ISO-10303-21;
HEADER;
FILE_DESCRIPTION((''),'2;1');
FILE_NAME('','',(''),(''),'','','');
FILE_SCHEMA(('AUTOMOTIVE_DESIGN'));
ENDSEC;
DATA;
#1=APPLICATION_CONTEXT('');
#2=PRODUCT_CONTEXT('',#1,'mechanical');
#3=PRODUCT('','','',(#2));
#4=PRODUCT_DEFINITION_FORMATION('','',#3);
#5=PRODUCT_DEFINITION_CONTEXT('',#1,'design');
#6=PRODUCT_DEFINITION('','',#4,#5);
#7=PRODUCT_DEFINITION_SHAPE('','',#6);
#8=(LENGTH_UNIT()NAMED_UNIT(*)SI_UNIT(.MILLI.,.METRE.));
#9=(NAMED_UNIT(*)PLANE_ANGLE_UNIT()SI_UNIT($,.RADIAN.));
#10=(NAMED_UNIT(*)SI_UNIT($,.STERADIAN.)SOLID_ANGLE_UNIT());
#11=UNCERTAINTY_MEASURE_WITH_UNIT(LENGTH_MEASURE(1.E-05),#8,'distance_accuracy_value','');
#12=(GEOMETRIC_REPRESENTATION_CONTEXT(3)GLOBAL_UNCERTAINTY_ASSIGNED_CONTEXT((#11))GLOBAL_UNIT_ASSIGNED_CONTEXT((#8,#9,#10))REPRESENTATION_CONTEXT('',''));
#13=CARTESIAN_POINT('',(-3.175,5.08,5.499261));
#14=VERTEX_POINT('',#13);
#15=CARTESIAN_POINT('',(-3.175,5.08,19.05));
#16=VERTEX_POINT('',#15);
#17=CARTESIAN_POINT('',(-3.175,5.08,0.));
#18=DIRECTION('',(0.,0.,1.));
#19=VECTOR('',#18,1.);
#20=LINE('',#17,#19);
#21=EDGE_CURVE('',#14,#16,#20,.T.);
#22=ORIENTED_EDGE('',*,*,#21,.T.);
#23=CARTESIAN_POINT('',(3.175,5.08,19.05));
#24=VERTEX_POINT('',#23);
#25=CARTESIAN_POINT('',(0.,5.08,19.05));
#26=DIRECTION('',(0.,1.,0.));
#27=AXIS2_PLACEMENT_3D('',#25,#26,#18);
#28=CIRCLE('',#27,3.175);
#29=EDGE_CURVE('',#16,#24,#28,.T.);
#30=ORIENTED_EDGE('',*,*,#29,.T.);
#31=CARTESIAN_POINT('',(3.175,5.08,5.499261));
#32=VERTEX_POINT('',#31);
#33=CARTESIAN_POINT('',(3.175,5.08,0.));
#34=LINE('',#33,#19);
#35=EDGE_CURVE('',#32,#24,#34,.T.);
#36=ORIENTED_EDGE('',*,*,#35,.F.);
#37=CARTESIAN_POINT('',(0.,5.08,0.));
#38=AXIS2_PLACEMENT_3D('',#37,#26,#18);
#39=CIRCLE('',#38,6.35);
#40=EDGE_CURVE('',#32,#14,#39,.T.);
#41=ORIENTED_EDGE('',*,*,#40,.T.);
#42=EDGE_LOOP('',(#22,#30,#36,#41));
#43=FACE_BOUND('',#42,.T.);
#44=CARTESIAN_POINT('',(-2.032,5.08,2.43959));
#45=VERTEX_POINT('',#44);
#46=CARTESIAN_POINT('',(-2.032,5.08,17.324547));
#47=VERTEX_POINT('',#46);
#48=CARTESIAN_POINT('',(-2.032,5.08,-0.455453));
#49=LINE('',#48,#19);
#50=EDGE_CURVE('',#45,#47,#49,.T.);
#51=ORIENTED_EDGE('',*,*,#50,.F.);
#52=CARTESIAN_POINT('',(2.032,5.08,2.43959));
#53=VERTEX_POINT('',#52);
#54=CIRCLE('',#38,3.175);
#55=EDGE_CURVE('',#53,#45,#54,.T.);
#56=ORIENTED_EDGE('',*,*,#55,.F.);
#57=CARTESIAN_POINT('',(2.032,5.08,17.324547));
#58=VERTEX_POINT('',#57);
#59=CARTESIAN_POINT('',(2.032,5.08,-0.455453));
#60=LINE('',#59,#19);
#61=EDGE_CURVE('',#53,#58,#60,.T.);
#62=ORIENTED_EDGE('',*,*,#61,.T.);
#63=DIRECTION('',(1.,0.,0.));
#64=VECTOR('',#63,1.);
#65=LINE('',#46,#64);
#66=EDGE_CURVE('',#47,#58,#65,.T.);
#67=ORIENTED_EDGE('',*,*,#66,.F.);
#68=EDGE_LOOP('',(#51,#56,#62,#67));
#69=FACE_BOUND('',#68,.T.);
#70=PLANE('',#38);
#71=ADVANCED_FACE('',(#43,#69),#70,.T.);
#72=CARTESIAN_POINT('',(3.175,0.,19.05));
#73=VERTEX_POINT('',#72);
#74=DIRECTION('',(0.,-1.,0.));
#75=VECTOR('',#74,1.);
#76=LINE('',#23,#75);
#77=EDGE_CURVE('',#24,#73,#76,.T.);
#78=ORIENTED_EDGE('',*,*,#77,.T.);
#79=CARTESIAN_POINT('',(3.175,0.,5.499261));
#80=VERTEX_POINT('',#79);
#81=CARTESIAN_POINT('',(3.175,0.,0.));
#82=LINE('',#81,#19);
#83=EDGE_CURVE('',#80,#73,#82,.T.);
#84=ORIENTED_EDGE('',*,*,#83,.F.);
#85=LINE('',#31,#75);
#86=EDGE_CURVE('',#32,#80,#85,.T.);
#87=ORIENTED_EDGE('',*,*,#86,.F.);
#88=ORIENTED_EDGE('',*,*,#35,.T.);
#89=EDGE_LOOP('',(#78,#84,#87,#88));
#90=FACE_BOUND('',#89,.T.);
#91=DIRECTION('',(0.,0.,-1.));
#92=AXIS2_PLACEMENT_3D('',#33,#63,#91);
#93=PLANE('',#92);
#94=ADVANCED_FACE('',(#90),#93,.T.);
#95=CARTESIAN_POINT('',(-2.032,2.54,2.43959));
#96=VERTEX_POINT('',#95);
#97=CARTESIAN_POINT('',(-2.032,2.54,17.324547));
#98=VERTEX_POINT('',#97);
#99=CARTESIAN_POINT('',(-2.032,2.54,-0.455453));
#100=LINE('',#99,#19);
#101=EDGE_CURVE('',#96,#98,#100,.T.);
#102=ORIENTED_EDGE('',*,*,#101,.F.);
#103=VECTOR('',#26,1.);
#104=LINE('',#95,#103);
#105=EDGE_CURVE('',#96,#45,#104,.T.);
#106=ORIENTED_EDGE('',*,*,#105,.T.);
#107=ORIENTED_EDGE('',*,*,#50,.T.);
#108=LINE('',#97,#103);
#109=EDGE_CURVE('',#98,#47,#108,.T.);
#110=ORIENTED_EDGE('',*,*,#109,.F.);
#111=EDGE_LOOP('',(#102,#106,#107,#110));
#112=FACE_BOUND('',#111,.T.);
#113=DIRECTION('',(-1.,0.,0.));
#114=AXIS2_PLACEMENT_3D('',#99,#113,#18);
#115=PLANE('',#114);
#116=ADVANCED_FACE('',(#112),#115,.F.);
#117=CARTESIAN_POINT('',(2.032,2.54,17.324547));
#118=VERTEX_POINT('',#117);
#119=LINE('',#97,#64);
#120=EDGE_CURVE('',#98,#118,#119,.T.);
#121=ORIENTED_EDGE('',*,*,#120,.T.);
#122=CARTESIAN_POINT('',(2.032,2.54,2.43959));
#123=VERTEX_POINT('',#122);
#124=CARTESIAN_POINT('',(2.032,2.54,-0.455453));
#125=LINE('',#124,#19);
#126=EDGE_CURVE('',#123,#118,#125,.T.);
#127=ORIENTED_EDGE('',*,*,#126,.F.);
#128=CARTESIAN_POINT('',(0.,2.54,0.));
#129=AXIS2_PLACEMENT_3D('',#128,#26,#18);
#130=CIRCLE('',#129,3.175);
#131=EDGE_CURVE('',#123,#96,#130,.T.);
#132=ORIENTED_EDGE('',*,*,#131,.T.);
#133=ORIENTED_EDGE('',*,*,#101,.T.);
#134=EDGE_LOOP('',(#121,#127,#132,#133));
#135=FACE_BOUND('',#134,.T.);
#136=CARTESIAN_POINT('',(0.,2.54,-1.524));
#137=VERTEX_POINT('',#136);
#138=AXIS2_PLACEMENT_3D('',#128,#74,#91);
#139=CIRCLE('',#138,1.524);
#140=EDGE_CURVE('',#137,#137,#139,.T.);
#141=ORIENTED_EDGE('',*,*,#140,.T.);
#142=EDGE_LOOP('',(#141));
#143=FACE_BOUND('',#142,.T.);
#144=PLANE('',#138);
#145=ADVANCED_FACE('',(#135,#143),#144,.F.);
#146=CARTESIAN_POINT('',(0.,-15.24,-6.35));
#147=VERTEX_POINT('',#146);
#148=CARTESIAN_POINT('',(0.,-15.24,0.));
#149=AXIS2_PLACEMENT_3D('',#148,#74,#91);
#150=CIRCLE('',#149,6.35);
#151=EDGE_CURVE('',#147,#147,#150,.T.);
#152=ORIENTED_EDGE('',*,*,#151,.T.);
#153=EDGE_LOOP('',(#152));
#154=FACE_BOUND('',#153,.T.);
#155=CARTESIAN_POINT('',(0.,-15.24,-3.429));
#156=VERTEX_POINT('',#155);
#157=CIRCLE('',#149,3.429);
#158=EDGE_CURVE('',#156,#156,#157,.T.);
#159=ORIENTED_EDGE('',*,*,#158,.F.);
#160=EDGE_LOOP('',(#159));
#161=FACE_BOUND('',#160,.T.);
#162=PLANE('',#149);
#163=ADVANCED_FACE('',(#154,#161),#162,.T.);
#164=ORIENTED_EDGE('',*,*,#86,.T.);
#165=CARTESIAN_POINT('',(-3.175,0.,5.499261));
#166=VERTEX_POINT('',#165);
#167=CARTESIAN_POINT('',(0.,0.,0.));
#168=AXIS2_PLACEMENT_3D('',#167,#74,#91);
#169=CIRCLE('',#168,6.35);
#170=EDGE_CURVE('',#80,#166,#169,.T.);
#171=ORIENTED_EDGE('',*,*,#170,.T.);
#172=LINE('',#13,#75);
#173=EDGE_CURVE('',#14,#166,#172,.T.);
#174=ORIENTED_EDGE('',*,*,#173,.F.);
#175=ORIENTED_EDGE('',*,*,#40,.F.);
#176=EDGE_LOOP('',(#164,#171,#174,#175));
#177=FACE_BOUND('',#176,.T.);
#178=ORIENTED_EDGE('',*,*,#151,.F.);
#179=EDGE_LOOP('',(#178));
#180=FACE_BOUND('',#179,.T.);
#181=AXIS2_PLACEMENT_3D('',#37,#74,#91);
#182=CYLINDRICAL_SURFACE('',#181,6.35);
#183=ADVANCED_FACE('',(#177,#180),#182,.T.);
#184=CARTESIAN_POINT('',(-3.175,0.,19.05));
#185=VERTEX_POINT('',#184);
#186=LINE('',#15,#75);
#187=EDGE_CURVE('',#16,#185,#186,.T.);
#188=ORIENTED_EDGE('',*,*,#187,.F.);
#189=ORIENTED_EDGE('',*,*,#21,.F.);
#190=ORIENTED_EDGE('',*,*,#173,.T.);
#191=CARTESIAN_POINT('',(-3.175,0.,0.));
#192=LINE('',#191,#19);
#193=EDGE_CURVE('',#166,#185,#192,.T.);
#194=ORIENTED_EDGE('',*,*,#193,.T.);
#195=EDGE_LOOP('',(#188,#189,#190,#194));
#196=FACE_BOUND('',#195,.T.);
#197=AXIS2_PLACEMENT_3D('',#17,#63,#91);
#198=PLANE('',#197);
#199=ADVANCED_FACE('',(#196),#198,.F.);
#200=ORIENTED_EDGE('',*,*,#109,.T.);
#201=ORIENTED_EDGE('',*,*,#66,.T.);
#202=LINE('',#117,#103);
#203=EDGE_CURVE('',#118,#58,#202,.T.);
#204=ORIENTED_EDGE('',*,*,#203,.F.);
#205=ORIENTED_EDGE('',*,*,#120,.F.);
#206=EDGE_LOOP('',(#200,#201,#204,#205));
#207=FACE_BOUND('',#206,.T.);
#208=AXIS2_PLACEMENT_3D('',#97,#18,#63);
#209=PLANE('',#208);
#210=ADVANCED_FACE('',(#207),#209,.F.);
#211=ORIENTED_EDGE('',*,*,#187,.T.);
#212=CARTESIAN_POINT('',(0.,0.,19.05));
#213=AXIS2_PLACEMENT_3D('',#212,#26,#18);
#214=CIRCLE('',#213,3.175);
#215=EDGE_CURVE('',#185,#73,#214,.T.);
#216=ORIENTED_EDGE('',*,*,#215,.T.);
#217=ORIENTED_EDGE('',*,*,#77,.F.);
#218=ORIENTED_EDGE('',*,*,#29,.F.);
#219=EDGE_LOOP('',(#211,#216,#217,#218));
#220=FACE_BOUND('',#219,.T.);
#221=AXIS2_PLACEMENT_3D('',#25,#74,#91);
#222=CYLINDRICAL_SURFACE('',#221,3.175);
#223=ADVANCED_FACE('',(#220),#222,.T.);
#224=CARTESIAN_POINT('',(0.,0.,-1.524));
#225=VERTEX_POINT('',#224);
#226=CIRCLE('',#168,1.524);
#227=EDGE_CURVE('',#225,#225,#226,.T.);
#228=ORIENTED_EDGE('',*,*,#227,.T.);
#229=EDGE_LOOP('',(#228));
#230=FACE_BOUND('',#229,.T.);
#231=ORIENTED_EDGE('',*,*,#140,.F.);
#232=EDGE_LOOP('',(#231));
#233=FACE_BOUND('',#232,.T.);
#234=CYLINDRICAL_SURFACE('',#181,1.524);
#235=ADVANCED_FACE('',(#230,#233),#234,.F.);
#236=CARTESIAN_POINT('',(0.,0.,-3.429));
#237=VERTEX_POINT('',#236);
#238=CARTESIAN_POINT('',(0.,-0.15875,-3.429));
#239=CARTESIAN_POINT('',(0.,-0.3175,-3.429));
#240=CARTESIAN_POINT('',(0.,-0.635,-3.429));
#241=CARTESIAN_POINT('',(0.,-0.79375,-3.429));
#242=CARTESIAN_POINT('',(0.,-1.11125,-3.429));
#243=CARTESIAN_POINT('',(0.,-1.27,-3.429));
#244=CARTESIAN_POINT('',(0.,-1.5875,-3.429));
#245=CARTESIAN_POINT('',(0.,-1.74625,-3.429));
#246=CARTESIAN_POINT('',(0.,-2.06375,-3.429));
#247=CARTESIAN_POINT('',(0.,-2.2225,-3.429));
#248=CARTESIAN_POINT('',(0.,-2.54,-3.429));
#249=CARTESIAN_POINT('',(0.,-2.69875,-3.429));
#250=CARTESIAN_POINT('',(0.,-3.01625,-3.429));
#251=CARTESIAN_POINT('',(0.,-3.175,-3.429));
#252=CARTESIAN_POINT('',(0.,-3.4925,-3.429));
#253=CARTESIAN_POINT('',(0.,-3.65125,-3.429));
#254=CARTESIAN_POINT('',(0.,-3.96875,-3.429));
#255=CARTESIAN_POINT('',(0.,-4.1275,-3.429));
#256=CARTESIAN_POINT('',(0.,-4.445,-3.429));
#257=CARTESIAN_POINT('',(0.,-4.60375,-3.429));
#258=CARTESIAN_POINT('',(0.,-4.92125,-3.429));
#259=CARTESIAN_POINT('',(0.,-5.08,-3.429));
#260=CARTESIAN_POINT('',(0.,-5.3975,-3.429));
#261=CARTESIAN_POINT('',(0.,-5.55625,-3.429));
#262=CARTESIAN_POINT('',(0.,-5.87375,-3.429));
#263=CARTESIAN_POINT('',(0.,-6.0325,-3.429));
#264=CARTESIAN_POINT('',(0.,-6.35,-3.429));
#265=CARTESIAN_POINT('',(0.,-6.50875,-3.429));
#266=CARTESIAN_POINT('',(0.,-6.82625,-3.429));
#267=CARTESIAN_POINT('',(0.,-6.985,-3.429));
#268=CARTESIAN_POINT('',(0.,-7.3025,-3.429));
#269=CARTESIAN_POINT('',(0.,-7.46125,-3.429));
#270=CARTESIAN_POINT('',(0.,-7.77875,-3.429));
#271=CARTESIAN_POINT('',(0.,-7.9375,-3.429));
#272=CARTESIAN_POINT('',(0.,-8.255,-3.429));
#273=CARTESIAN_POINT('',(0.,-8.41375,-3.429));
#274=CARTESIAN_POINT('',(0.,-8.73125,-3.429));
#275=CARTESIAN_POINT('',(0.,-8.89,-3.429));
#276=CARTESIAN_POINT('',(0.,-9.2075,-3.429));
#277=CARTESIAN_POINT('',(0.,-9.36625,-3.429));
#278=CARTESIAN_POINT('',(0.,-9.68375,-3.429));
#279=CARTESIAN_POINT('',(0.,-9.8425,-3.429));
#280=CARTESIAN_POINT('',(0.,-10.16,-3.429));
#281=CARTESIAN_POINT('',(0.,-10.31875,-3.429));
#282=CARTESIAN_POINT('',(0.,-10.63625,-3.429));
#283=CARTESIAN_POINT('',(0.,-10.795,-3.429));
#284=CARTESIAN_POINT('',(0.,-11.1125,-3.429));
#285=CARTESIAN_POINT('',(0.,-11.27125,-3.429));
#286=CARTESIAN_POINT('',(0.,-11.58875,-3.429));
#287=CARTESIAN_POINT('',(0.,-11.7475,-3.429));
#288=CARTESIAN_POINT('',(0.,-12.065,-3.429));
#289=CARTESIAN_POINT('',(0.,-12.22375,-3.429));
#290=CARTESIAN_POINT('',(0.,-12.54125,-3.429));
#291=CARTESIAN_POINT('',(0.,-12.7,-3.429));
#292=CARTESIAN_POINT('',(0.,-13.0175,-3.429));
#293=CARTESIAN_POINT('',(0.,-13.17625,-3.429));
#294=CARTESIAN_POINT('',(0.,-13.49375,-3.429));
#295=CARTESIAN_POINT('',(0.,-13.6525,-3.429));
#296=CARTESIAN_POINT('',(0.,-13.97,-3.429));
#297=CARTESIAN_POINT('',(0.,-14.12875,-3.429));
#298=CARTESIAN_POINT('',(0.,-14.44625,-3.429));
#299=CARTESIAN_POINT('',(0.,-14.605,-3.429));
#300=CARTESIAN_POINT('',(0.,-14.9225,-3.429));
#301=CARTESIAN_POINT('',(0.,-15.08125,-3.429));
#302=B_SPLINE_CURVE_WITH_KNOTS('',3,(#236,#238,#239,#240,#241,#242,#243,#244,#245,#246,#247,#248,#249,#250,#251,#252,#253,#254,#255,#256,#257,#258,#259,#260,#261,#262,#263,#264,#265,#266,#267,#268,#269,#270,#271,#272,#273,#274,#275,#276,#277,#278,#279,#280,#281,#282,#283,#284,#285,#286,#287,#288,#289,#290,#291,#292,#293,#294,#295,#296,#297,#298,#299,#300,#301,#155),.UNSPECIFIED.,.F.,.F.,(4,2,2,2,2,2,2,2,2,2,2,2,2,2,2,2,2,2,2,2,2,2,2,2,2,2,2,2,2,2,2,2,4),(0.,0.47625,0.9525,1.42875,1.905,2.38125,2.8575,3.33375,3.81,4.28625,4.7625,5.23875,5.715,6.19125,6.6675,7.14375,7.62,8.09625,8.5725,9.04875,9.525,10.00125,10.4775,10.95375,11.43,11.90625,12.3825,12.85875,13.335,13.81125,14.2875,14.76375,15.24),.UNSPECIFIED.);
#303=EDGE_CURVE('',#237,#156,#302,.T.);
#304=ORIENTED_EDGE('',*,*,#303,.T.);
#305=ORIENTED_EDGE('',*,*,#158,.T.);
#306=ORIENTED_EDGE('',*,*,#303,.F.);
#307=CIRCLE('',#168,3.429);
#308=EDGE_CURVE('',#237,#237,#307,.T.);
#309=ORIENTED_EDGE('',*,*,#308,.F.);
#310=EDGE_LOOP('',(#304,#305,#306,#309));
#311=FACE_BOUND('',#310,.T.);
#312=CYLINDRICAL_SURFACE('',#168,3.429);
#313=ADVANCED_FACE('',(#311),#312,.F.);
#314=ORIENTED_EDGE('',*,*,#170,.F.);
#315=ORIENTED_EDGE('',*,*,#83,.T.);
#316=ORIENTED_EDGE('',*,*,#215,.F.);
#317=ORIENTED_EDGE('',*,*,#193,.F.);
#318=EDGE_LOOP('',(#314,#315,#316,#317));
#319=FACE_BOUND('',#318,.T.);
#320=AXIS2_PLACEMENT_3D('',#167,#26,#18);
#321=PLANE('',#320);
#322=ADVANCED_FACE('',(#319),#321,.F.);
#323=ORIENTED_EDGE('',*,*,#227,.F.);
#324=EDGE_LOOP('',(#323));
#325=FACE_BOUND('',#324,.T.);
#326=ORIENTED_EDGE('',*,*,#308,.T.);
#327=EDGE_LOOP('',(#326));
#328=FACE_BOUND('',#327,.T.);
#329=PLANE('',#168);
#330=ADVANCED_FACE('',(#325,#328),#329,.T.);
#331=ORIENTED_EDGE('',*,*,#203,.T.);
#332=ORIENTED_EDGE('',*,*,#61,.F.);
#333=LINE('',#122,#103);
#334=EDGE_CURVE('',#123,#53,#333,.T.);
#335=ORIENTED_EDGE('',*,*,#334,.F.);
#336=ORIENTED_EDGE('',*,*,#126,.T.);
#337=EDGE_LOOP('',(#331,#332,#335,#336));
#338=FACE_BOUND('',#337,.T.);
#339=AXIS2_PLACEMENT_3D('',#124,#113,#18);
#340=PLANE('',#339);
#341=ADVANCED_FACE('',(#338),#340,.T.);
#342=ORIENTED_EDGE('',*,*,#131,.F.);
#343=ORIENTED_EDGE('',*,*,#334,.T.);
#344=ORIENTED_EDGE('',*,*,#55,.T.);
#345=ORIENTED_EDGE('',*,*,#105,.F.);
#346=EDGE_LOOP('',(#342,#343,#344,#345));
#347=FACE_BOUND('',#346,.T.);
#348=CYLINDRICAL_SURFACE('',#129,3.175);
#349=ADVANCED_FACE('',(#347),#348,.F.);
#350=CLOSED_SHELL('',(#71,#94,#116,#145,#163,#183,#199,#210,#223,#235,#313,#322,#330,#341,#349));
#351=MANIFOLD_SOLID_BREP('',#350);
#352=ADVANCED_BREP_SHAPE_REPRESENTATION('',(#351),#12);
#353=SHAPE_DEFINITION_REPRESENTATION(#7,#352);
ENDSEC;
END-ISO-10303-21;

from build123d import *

# Parameters (mm, degrees)
SKETCH1_R           = 1.524
BOSS_EXTRUDE1_DEPTH = 5.08
SKETCH2_R           = 3.175
SKETCH2_W           = 4.064
SKETCH2_H           = 17.78
CUT_EXTRUDE1_DEPTH  = 2.54
BOSS_EXTRUDE2_START = 15.24
SKETCH3_R           = 6.35
BOSS_EXTRUDE2_DEPTH = 15.24
SKETCH4_R           = 3.429
CUT_EXTRUDE2_DEPTH  = 15.24


with BuildPart() as part:
    # Sketch1 → Boss-Extrude1 (new body)
    with BuildSketch(Plane(origin=(0, 0, 0), x_dir=(1, 0, 0), z_dir=(0, 1, 0))):
        with BuildLine():
            ThreePointArc((3.175, -5.499261314), (0, 6.35), (-3.175, -5.499261314))
            Line((-3.175, -5.499261314), (-3.175, -19.05))
            ThreePointArc((-3.175, -19.05), (0, -22.225), (3.175, -19.05))
            Line((3.175, -19.05), (3.175, -5.499261314))
        make_face()
        with Locations(Location((0, 0, 0), (0, 0, 270))):
            Circle(SKETCH1_R, mode=Mode.SUBTRACT)
    extrude(amount=BOSS_EXTRUDE1_DEPTH)

    # Sketch2 → Cut-Extrude1 (cut)
    with BuildSketch(Plane(origin=(0, 5.08, 0), x_dir=(1, 0, 0), z_dir=(0, 1, 0))):
        Circle(SKETCH2_R)
        with Locations((0, -8.434547342)):
            Rectangle(SKETCH2_W, SKETCH2_H)
    extrude(amount=-CUT_EXTRUDE1_DEPTH, mode=Mode.SUBTRACT)

    # Sketch3 → Boss-Extrude2 (add)
    with BuildSketch(Plane.XZ.offset(BOSS_EXTRUDE2_START)):
        with Locations(Location((0, 0, 0), (0, 0, 270))):
            Circle(SKETCH3_R)
    extrude(amount=-BOSS_EXTRUDE2_DEPTH)

    # Sketch4 → Cut-Extrude2 (cut)
    with BuildSketch(Plane.XZ.offset(15.24)):
        with Locations(Location((0, 0, 0), (0, 0, 270))):
            Circle(SKETCH4_R)
    extrude(amount=-CUT_EXTRUDE2_DEPTH, mode=Mode.SUBTRACT)


solid = part.part
